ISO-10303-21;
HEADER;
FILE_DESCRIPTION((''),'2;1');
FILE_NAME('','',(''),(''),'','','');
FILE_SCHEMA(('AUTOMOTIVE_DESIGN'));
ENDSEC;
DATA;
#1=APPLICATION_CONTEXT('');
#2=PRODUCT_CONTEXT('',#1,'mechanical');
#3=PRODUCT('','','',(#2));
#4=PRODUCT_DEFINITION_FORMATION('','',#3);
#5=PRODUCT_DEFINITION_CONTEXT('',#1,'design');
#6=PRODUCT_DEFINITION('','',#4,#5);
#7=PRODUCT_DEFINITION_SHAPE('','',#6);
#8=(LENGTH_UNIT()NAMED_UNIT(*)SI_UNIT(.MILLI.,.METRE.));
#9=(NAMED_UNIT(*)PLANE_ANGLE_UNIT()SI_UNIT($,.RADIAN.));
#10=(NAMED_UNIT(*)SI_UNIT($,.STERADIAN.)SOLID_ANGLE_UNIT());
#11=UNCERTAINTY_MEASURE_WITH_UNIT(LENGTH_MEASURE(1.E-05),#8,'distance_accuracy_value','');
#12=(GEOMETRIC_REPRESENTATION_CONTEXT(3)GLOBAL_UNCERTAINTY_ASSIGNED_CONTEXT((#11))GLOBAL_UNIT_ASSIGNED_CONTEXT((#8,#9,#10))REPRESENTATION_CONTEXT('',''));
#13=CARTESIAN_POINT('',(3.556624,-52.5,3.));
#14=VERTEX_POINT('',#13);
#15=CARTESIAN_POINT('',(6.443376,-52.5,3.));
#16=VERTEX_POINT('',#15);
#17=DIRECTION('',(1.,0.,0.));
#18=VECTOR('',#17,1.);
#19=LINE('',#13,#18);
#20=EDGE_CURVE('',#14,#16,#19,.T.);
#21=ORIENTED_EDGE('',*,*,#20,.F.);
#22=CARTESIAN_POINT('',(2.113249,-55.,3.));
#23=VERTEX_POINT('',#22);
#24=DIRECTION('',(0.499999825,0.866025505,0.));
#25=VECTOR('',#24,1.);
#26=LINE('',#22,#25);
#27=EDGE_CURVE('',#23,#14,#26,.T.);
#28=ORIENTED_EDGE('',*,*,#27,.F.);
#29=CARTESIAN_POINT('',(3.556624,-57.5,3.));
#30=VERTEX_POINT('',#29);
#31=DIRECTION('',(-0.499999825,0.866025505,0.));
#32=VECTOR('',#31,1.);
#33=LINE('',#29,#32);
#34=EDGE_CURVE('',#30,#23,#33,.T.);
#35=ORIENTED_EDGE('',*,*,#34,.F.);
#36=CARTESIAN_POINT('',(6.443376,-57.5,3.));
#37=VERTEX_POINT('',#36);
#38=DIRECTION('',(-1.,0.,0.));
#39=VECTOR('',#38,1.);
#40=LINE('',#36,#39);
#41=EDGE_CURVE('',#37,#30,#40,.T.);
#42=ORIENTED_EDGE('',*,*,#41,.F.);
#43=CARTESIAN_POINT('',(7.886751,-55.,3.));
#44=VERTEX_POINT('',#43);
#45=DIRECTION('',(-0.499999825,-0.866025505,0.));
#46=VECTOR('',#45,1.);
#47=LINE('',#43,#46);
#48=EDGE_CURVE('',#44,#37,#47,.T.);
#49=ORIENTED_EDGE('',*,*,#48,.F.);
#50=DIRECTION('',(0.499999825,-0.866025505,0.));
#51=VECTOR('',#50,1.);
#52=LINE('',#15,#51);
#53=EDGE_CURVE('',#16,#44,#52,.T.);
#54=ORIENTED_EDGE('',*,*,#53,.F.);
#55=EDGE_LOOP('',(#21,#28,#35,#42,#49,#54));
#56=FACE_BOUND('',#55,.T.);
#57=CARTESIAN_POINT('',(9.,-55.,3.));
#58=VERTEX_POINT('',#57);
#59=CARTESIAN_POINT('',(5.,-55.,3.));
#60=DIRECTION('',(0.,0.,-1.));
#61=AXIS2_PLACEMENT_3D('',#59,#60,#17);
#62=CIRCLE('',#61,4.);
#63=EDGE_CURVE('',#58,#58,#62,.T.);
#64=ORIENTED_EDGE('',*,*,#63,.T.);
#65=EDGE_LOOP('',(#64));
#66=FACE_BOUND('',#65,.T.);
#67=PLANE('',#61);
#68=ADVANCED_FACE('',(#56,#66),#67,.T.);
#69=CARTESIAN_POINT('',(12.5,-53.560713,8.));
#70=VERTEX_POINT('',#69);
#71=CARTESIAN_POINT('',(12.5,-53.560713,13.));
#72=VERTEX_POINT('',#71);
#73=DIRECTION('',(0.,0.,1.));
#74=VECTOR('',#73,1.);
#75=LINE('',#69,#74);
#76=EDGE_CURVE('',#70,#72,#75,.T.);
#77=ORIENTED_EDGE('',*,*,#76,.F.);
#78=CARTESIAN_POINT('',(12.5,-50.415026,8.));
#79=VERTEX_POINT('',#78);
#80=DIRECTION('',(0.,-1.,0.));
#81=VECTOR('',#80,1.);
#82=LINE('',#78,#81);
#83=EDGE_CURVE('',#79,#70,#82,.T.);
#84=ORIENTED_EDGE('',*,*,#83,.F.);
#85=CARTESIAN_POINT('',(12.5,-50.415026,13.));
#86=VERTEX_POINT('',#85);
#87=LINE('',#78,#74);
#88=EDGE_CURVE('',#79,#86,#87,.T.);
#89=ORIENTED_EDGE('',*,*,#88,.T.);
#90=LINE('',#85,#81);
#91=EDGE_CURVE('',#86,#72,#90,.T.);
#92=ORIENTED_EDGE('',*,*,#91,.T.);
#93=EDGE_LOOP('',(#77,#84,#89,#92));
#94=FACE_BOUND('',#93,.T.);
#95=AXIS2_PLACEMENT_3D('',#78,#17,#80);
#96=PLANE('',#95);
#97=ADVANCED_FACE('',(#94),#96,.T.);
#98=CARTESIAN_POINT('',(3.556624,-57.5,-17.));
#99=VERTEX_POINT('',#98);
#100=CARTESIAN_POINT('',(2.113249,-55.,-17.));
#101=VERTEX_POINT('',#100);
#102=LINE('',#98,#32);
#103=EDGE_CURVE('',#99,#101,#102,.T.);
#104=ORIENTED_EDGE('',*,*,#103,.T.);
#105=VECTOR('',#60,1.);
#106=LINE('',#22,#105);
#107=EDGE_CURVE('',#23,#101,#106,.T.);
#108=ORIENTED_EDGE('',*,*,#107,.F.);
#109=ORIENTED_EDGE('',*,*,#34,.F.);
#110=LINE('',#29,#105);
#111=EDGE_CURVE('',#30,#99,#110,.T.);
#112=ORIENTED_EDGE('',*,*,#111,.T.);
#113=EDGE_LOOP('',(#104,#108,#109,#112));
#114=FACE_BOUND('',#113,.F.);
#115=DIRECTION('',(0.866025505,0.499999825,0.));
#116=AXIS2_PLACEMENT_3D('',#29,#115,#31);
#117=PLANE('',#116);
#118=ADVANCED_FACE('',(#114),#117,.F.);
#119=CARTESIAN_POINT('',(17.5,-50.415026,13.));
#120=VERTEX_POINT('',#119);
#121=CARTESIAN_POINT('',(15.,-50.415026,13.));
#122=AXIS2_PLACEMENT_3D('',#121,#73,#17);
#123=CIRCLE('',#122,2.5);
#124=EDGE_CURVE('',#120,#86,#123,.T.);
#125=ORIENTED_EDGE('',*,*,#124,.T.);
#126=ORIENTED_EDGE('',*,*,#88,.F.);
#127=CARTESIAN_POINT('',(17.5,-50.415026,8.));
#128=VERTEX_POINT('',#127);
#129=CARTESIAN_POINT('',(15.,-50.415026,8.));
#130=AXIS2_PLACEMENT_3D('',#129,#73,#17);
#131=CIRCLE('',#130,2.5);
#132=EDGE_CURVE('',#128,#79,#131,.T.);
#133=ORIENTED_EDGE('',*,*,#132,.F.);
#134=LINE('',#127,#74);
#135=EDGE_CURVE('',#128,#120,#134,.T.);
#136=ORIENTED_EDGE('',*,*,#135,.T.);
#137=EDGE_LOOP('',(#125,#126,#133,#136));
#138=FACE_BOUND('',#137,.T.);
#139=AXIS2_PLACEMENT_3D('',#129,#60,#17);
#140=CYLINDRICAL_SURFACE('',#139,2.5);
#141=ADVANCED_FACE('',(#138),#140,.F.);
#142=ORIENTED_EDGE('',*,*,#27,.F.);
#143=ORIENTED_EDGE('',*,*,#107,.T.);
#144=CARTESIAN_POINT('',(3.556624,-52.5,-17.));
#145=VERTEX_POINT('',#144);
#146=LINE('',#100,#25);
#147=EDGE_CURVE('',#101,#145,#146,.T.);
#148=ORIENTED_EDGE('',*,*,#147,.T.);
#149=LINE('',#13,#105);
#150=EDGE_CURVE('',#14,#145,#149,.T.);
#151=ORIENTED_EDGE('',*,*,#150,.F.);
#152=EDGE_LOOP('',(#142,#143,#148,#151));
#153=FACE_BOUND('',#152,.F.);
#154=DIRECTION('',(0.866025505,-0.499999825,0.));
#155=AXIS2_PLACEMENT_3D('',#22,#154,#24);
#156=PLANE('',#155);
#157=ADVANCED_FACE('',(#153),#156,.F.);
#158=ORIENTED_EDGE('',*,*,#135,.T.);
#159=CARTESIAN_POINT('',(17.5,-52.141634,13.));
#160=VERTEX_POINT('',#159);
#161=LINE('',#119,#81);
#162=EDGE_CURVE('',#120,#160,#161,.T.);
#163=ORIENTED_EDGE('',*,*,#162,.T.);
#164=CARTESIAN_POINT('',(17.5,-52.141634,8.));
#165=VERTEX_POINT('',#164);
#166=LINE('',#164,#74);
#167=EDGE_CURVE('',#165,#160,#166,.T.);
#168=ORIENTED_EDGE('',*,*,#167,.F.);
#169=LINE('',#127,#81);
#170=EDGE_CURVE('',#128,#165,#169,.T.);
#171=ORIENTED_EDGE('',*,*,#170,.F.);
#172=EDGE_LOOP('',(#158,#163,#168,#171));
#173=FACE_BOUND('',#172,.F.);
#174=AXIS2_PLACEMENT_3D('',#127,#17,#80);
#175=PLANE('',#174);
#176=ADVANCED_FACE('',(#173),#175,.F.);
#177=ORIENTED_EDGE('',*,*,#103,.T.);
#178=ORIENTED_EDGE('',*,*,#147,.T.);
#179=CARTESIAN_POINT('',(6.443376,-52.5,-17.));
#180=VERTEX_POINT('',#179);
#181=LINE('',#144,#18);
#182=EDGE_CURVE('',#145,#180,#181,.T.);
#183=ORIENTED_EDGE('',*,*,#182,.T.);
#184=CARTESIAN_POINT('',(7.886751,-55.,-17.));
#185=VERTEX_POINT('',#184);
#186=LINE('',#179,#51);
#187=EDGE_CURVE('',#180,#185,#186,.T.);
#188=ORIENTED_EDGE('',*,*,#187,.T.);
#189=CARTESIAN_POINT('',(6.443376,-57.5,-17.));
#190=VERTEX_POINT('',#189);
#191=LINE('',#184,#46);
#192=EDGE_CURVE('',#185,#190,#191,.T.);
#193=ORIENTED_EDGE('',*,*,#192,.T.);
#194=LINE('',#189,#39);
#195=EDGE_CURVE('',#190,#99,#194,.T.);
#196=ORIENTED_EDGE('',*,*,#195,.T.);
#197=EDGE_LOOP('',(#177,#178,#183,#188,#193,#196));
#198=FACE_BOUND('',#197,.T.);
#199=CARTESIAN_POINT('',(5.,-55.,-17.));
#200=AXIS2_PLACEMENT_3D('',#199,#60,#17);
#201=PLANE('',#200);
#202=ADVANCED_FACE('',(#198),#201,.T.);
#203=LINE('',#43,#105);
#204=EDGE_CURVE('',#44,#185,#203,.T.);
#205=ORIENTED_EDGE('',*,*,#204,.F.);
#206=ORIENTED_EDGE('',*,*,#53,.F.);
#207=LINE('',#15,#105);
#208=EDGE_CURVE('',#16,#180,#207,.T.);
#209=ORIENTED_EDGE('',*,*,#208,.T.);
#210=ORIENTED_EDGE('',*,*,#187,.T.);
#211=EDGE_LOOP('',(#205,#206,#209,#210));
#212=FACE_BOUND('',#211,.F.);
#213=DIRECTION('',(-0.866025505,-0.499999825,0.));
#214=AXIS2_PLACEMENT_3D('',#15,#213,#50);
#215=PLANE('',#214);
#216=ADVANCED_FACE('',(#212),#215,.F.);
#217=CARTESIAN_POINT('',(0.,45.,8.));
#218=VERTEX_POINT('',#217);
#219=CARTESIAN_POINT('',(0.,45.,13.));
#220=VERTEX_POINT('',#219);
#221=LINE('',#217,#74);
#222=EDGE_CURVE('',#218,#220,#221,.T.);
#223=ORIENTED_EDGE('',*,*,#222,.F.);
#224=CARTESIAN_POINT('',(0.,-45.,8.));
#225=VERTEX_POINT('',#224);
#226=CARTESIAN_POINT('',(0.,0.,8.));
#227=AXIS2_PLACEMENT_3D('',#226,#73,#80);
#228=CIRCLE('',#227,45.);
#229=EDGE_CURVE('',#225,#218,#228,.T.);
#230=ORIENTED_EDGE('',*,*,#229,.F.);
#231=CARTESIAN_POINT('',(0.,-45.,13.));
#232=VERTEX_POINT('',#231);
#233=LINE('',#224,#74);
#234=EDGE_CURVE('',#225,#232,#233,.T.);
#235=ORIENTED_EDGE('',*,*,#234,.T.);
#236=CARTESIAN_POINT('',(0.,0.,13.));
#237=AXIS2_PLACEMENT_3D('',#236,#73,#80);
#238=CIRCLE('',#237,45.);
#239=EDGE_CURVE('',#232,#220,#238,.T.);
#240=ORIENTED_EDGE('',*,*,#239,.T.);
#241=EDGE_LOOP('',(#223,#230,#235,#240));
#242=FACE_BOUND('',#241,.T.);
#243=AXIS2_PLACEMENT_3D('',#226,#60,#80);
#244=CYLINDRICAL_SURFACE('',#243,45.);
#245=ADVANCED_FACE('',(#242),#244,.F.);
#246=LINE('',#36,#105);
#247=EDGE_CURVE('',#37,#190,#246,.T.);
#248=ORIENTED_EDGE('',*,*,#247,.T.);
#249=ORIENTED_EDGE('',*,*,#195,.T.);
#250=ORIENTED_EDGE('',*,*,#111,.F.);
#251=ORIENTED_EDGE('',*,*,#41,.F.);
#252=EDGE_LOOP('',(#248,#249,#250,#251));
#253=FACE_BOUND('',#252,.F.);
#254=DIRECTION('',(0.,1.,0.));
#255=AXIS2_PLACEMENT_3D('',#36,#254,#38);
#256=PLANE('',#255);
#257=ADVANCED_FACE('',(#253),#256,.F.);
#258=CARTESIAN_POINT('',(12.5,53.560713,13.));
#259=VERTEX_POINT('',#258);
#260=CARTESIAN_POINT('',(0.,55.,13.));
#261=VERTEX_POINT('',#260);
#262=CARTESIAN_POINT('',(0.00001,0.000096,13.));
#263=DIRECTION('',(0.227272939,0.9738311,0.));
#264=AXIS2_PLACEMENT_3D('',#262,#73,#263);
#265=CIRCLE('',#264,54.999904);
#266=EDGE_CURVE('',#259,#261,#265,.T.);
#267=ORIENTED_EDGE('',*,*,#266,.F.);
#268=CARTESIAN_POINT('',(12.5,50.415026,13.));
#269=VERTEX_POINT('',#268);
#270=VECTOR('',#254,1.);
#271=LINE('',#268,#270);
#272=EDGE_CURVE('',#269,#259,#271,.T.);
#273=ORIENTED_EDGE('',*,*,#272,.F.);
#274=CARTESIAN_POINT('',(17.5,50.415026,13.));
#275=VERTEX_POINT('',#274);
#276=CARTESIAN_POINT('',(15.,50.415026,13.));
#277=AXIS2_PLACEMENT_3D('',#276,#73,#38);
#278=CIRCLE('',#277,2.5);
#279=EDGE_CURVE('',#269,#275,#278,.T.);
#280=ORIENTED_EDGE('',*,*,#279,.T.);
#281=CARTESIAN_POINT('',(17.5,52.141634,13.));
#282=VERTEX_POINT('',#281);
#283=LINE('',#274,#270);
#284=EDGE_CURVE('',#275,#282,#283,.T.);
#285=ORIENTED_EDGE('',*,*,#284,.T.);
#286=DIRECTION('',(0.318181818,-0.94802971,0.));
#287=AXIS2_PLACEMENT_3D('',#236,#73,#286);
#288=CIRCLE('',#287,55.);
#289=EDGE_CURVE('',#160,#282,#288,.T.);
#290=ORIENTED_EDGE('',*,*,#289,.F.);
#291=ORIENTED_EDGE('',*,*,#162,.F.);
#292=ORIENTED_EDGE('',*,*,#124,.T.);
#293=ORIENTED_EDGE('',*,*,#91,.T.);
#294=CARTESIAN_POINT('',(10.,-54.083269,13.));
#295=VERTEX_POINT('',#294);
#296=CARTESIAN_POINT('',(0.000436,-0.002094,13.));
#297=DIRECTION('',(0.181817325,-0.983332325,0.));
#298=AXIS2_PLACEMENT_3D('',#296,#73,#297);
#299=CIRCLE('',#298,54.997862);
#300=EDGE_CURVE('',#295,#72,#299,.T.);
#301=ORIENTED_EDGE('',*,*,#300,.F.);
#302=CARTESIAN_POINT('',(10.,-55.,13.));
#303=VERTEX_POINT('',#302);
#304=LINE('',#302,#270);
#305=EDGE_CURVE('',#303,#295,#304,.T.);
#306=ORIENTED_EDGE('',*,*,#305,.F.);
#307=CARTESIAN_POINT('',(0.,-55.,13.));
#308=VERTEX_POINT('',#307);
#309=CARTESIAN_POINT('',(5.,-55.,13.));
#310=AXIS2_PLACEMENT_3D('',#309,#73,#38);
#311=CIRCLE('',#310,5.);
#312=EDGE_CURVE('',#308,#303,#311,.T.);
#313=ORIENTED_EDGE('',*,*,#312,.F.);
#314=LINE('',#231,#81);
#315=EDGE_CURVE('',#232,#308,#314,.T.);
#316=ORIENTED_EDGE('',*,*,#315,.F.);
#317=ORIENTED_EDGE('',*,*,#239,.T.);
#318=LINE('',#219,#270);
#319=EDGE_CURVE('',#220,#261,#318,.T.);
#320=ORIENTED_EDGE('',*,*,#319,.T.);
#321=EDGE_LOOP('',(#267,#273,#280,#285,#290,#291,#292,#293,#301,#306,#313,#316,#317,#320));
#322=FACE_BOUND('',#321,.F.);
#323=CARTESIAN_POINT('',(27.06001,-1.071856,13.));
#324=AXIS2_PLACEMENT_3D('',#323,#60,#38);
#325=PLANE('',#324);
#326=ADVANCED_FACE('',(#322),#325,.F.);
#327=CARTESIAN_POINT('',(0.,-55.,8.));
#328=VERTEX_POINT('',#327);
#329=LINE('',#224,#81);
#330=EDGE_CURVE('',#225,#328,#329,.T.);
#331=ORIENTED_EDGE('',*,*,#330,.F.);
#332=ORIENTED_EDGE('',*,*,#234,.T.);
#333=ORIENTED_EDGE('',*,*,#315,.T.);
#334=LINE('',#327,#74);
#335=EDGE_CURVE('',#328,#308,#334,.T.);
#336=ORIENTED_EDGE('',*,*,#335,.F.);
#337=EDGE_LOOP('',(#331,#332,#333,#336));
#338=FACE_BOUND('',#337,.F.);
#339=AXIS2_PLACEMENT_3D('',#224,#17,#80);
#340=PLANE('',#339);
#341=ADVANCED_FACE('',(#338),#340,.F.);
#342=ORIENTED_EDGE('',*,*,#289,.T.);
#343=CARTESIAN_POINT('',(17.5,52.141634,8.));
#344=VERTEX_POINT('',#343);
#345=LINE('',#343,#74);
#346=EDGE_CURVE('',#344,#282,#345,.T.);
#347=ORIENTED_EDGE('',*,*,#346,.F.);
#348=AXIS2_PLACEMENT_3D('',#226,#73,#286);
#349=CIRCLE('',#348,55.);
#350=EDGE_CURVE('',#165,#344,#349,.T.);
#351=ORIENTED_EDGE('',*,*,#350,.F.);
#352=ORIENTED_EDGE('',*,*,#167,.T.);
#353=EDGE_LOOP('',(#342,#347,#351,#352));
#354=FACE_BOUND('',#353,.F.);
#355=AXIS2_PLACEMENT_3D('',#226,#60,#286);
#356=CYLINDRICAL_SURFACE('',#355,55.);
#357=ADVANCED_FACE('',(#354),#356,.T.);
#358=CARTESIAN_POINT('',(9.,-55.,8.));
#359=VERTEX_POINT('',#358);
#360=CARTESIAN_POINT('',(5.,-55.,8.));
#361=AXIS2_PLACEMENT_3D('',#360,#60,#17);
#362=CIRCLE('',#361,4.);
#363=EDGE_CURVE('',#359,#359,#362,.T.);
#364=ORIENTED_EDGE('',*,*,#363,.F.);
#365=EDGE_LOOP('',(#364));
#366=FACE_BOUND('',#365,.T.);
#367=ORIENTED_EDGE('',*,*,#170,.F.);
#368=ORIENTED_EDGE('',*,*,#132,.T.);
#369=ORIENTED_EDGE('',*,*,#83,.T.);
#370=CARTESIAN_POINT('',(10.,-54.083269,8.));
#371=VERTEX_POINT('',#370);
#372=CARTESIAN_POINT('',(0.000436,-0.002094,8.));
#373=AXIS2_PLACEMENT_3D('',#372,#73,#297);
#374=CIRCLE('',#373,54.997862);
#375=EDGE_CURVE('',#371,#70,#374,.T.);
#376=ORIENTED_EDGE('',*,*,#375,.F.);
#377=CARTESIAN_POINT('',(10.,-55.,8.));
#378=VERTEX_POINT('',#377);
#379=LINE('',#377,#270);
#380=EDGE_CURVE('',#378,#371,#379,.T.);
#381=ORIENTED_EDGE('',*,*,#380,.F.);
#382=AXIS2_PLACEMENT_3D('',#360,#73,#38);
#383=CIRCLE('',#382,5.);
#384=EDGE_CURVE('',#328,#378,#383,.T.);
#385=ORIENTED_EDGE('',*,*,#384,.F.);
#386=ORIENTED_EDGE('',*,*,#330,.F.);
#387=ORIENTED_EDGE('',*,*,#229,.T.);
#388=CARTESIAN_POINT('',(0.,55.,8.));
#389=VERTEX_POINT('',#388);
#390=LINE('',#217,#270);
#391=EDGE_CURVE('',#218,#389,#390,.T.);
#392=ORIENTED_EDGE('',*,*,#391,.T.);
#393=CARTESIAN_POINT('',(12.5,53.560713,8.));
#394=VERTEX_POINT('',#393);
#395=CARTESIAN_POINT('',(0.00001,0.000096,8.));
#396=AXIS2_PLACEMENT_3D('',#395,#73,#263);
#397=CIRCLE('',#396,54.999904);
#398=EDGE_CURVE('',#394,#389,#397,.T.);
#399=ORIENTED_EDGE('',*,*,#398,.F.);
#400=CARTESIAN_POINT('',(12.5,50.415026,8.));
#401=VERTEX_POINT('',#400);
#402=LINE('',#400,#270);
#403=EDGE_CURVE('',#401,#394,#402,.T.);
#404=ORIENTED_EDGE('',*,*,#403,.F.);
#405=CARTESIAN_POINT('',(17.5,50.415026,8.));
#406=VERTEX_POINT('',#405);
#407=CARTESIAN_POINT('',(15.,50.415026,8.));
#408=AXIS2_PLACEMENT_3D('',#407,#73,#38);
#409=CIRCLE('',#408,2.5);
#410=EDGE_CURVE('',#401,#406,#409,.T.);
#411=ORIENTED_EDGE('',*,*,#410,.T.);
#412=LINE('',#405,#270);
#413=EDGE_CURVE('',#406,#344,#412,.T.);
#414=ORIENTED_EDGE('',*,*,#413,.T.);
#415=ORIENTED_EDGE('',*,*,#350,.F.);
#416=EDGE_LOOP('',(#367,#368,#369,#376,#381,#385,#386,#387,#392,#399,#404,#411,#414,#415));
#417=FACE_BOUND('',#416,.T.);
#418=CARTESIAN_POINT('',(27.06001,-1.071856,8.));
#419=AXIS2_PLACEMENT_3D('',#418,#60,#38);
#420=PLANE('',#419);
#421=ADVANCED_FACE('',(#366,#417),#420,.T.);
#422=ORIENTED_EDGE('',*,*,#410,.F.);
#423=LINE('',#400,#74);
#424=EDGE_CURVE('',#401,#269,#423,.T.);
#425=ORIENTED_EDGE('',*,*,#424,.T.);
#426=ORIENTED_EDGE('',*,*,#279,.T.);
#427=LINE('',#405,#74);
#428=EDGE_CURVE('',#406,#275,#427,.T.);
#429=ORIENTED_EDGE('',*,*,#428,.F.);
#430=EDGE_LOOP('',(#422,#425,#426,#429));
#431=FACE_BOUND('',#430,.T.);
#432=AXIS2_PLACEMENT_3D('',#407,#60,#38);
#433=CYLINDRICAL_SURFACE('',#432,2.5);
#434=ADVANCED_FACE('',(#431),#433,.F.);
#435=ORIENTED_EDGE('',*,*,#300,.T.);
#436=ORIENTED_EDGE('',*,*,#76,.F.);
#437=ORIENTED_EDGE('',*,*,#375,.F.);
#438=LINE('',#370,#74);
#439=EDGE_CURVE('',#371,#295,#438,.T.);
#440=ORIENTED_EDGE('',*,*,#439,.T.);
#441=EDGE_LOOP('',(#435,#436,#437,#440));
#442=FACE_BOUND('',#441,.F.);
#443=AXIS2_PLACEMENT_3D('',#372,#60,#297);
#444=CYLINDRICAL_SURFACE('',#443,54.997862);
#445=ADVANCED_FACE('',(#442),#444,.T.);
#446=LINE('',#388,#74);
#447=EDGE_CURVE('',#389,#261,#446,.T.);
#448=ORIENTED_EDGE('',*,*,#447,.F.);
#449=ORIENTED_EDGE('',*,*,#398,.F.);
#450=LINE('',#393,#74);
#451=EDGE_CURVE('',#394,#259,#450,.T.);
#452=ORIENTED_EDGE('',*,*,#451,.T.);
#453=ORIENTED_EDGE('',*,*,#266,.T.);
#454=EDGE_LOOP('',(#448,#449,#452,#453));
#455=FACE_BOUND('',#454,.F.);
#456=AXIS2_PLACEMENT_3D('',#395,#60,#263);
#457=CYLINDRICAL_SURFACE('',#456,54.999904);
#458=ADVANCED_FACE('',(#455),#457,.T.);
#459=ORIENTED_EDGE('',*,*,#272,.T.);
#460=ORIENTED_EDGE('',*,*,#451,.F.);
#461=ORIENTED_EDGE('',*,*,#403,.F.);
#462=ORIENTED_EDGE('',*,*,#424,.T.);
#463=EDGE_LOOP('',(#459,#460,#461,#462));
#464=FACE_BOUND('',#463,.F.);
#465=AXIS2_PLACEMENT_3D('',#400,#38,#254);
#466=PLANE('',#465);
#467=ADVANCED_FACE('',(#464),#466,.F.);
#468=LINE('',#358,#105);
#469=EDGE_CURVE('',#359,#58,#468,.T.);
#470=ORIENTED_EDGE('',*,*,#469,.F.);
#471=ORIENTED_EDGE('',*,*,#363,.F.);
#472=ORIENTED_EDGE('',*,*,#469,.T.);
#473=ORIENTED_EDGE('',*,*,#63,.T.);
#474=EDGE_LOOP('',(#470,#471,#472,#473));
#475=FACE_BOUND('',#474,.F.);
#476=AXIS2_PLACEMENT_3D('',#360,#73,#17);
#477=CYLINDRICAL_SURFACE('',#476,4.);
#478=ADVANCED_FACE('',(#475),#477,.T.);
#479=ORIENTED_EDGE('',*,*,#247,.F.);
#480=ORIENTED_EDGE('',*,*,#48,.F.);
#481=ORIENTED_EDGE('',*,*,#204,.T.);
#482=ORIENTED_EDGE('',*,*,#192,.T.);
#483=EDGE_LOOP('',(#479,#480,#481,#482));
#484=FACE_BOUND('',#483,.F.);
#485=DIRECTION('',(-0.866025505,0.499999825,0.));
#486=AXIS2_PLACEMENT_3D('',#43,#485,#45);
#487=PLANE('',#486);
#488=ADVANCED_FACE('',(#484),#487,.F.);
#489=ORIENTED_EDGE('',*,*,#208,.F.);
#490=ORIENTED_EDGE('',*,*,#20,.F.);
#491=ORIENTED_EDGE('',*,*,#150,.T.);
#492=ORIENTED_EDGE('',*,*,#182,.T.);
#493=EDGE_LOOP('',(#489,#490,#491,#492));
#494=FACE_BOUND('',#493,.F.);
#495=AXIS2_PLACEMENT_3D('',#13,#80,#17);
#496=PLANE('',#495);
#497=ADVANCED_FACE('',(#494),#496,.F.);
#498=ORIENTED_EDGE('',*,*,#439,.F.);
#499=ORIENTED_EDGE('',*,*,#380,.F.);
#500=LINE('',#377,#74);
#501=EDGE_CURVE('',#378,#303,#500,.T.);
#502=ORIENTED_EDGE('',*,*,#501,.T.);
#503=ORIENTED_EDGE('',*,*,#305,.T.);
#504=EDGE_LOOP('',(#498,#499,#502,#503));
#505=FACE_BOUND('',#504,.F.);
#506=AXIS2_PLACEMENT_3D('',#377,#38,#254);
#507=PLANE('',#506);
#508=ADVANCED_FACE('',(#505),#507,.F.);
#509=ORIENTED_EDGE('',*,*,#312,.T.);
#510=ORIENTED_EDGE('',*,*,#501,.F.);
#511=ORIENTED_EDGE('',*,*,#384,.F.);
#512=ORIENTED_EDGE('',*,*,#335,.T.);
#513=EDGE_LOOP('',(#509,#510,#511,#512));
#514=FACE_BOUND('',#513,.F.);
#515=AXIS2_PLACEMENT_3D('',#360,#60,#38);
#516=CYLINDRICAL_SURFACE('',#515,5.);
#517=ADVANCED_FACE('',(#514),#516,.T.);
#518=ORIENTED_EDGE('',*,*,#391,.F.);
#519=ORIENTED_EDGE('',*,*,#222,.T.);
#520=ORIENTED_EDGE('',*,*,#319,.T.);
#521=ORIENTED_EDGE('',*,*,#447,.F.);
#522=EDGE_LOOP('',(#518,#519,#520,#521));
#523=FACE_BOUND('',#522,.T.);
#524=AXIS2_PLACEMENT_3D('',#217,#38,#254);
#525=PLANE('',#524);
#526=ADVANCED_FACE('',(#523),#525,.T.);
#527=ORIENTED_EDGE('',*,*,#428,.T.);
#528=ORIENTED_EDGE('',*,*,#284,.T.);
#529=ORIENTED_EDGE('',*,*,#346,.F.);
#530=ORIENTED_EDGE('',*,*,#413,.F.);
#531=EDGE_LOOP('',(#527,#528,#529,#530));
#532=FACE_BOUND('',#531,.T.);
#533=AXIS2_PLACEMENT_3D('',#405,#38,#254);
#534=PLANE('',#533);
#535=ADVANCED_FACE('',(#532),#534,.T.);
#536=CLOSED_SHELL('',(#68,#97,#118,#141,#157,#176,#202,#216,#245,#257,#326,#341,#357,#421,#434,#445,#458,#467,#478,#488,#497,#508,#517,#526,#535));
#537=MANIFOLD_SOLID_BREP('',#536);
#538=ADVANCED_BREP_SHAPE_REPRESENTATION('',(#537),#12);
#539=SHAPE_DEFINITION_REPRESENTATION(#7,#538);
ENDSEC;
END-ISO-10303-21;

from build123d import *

# Parameters (mm, degrees)
PAD002_DEPTH = 5
SKETCH006_R  = 4
PAD003_DEPTH = 5
PAD009_DEPTH = 20


with BuildPart() as part:
    # Sketch003 → Pad002 (new body)
    with BuildSketch(Plane.XY):
        with BuildLine():
            ThreePointArc((0, -45), (45, 0), (0, 45))
            Line((0, 45), (0, 55))
            ThreePointArc((12.5, 53.560713), (6.291295, 54.638994), (0, 55))
            Line((12.5, 50.415026), (12.5, 53.560713))
            ThreePointArc((12.5, 50.415026), (15, 47.915026), (17.5, 50.415026))
            Line((17.5, 50.415026), (17.5, 52.141634))
            ThreePointArc((17.5, -52.141634), (55, 0), (17.5, 52.141634))
            Line((17.5, -50.415026), (17.5, -52.141634))
            ThreePointArc((17.5, -50.415026), (15, -47.915026), (12.5, -50.415026))
            Line((12.5, -50.415026), (12.5, -53.560713))
            ThreePointArc((10, -54.083269), (11.253034, -53.836505), (12.5, -53.560713))
            Line((10, -55), (10, -54.083269))
            ThreePointArc((0, -55), (5, -60), (10, -55))
            Line((0, -45), (0, -55))
        make_face()
    extrude(amount=PAD002_DEPTH)

    # Sketch006 (on Face15 of Pad002) → Pad003 (join)
    with BuildSketch(Plane(origin=(0, 0, 0), x_dir=(1, 0, 0), z_dir=(0, 0, -1))):
        with Locations((5, 55)):
            Circle(SKETCH006_R)
    extrude(amount=PAD003_DEPTH)

    # Sketch009 (on Face18 of Pad003) → Pad009 (join)
    with BuildSketch(Plane(origin=(0, 0, -5), x_dir=(1, 0, 0), z_dir=(0, 0, -1))):
        Polygon((2.113249, 55), (3.556624, 52.5), (6.443376, 52.5), (7.886751, 55), (6.443376, 57.5), (3.556624, 57.5), align=None)
    extrude(amount=PAD009_DEPTH)


with BuildPart() as part_1:
    # Body001 placement: moved
    add(part.part.moved(Location((0, 0, 8))))


solid = part_1.part
